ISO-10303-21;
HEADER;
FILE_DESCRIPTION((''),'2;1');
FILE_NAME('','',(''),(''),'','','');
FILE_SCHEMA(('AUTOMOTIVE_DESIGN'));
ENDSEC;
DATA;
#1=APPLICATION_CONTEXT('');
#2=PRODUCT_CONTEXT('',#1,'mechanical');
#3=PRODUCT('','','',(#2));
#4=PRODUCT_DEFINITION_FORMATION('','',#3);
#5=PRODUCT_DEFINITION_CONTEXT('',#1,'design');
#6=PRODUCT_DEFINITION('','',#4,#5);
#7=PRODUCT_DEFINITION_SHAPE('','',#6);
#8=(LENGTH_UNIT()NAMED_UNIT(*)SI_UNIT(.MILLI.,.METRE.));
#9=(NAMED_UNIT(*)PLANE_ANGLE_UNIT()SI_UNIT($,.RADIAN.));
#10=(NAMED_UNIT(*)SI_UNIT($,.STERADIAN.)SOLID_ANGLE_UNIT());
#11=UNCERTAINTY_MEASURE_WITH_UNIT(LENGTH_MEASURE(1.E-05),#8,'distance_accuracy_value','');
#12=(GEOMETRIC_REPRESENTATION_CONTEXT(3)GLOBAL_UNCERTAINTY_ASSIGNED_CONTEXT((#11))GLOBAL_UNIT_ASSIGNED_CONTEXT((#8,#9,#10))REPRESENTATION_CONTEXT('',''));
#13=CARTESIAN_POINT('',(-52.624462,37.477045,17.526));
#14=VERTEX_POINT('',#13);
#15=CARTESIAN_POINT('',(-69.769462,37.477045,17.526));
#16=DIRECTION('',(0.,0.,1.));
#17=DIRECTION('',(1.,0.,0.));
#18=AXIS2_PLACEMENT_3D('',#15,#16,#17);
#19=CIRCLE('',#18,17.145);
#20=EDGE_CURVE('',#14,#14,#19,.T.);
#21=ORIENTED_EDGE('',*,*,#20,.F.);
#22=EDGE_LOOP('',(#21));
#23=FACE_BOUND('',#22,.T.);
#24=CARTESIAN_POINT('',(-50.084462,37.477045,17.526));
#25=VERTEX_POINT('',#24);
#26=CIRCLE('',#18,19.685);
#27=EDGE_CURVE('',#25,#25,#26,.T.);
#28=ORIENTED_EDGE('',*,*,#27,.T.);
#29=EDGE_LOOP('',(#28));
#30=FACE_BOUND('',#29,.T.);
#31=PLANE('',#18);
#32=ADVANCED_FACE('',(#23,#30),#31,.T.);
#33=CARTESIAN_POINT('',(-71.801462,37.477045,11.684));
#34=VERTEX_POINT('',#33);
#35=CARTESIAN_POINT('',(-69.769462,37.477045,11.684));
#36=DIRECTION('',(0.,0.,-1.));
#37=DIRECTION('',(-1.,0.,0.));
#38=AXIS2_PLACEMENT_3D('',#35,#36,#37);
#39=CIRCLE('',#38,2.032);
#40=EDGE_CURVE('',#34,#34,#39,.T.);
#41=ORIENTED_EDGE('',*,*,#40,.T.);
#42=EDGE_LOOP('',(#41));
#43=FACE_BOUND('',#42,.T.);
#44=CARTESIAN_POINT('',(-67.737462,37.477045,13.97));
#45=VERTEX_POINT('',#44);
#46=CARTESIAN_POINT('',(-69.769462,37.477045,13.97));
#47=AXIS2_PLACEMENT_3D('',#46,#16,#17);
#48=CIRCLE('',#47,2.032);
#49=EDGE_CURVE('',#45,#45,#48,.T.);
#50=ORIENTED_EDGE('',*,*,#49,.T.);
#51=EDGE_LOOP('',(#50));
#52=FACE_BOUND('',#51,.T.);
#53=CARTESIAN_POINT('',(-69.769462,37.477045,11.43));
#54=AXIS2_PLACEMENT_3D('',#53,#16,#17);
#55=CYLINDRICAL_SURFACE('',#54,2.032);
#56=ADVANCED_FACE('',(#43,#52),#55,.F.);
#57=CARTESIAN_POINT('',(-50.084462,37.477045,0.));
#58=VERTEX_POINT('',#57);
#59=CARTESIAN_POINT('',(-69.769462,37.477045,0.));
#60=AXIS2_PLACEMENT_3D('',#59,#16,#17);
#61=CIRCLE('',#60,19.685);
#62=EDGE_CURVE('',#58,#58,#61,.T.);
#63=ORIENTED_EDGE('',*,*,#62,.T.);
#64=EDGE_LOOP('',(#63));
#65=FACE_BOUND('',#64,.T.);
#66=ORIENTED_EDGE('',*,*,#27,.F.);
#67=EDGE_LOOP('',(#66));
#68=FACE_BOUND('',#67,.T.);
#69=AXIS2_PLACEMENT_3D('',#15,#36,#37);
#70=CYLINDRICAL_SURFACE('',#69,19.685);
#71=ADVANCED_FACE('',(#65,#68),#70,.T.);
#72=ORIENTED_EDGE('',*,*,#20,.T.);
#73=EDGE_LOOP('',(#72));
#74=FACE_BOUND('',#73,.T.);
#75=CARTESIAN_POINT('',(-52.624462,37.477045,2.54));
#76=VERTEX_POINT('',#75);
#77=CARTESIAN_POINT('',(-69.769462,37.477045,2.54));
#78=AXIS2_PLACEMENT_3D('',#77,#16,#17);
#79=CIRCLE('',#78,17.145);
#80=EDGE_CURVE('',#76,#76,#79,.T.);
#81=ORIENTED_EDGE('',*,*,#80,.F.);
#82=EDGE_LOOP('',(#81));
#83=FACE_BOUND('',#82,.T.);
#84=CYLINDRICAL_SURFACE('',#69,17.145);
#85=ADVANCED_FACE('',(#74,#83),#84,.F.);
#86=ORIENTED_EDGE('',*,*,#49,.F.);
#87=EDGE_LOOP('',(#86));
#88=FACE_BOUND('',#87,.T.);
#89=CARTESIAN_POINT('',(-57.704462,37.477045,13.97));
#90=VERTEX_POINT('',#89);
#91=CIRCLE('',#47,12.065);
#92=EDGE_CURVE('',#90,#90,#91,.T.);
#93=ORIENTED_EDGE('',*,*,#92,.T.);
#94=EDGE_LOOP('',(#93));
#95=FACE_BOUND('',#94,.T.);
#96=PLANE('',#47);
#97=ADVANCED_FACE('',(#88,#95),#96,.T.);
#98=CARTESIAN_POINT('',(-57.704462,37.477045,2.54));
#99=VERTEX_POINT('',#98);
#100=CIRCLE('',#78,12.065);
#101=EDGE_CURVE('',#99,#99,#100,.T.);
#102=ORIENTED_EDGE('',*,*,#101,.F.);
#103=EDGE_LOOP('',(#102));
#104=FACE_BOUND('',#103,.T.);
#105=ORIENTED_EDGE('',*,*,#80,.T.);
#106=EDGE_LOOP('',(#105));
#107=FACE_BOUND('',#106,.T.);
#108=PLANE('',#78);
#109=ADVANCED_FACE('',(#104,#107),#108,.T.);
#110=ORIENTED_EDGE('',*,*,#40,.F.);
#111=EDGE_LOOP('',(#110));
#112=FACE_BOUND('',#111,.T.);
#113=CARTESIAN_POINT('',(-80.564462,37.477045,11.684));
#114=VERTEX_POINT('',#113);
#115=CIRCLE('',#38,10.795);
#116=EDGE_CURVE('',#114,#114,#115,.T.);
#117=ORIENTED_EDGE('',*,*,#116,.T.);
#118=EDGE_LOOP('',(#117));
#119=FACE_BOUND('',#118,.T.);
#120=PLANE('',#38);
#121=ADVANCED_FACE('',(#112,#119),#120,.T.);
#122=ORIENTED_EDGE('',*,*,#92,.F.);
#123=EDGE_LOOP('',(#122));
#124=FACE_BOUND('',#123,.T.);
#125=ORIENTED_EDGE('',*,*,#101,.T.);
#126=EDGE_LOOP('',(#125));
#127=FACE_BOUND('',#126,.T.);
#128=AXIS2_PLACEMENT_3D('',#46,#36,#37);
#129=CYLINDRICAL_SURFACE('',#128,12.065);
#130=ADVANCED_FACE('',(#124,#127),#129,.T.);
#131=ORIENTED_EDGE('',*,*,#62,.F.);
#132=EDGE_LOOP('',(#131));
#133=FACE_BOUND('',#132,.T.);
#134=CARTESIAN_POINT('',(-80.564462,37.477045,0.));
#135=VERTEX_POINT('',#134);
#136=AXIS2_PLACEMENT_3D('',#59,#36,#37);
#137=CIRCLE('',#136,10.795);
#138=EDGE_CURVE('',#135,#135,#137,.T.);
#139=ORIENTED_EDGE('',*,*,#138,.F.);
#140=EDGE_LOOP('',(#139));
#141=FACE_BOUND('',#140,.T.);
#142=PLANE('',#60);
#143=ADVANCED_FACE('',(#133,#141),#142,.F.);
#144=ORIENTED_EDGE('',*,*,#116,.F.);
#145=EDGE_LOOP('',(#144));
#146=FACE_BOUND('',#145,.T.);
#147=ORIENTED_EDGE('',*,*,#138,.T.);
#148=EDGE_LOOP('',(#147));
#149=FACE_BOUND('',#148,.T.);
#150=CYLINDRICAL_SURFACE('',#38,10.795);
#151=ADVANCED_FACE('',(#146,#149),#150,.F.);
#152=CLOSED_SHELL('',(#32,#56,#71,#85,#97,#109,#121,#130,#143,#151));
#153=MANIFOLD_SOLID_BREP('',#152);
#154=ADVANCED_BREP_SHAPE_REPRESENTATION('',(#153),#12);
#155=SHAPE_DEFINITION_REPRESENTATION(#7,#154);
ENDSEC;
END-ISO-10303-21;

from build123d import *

# Parameters (mm, degrees)
SKETCH1_R           = 19.685
BOSS_EXTRUDE4_DEPTH = 17.526
SHELL1_T            = -2.54
SKETCH2_R           = 12.065
BOSS_EXTRUDE5_DEPTH = 11.43
SKETCH3_R           = 10.795
CUT_EXTRUDE1_DEPTH  = 11.684
SKETCH4_R           = 2.032
CUT_EXTRUDE2_DEPTH  = 2.54


with BuildPart() as part:
    # Sketch1 → Boss-Extrude4 (new body)
    with BuildSketch(Plane.XY):
        with Locations((-69.769461907, 37.477045181)):
            Circle(SKETCH1_R)
    extrude(amount=BOSS_EXTRUDE4_DEPTH)

    # Shell1
    shell1_openings = [part.faces().sort_by_distance(p)[0] for p in [
        (-69.769461907, 37.477045181, 17.526),
    ]]
    offset(amount=SHELL1_T, openings=shell1_openings, kind=Kind.INTERSECTION)

    # Sketch2 → Boss-Extrude5 (add)
    with BuildSketch(Plane.XY.offset(2.54)):
        with Locations((-69.769461907, 37.477045181)):
            Circle(SKETCH2_R)
    extrude(amount=BOSS_EXTRUDE5_DEPTH)

    # Sketch3 → Cut-Extrude1 (cut)
    with BuildSketch(Plane(origin=(0, 0, 0), x_dir=(-1, 0, 0), z_dir=(0, 0, -1))):
        with Locations((69.769461907, 37.477045181)):
            Circle(SKETCH3_R)
    extrude(amount=-CUT_EXTRUDE1_DEPTH, mode=Mode.SUBTRACT)

    # Sketch4 → Cut-Extrude2 (cut)
    with BuildSketch(Plane.XY.offset(13.97)):
        with Locations((-69.769461907, 37.477045181)):
            Circle(SKETCH4_R)
    extrude(amount=-CUT_EXTRUDE2_DEPTH, mode=Mode.SUBTRACT)


solid = part.part
